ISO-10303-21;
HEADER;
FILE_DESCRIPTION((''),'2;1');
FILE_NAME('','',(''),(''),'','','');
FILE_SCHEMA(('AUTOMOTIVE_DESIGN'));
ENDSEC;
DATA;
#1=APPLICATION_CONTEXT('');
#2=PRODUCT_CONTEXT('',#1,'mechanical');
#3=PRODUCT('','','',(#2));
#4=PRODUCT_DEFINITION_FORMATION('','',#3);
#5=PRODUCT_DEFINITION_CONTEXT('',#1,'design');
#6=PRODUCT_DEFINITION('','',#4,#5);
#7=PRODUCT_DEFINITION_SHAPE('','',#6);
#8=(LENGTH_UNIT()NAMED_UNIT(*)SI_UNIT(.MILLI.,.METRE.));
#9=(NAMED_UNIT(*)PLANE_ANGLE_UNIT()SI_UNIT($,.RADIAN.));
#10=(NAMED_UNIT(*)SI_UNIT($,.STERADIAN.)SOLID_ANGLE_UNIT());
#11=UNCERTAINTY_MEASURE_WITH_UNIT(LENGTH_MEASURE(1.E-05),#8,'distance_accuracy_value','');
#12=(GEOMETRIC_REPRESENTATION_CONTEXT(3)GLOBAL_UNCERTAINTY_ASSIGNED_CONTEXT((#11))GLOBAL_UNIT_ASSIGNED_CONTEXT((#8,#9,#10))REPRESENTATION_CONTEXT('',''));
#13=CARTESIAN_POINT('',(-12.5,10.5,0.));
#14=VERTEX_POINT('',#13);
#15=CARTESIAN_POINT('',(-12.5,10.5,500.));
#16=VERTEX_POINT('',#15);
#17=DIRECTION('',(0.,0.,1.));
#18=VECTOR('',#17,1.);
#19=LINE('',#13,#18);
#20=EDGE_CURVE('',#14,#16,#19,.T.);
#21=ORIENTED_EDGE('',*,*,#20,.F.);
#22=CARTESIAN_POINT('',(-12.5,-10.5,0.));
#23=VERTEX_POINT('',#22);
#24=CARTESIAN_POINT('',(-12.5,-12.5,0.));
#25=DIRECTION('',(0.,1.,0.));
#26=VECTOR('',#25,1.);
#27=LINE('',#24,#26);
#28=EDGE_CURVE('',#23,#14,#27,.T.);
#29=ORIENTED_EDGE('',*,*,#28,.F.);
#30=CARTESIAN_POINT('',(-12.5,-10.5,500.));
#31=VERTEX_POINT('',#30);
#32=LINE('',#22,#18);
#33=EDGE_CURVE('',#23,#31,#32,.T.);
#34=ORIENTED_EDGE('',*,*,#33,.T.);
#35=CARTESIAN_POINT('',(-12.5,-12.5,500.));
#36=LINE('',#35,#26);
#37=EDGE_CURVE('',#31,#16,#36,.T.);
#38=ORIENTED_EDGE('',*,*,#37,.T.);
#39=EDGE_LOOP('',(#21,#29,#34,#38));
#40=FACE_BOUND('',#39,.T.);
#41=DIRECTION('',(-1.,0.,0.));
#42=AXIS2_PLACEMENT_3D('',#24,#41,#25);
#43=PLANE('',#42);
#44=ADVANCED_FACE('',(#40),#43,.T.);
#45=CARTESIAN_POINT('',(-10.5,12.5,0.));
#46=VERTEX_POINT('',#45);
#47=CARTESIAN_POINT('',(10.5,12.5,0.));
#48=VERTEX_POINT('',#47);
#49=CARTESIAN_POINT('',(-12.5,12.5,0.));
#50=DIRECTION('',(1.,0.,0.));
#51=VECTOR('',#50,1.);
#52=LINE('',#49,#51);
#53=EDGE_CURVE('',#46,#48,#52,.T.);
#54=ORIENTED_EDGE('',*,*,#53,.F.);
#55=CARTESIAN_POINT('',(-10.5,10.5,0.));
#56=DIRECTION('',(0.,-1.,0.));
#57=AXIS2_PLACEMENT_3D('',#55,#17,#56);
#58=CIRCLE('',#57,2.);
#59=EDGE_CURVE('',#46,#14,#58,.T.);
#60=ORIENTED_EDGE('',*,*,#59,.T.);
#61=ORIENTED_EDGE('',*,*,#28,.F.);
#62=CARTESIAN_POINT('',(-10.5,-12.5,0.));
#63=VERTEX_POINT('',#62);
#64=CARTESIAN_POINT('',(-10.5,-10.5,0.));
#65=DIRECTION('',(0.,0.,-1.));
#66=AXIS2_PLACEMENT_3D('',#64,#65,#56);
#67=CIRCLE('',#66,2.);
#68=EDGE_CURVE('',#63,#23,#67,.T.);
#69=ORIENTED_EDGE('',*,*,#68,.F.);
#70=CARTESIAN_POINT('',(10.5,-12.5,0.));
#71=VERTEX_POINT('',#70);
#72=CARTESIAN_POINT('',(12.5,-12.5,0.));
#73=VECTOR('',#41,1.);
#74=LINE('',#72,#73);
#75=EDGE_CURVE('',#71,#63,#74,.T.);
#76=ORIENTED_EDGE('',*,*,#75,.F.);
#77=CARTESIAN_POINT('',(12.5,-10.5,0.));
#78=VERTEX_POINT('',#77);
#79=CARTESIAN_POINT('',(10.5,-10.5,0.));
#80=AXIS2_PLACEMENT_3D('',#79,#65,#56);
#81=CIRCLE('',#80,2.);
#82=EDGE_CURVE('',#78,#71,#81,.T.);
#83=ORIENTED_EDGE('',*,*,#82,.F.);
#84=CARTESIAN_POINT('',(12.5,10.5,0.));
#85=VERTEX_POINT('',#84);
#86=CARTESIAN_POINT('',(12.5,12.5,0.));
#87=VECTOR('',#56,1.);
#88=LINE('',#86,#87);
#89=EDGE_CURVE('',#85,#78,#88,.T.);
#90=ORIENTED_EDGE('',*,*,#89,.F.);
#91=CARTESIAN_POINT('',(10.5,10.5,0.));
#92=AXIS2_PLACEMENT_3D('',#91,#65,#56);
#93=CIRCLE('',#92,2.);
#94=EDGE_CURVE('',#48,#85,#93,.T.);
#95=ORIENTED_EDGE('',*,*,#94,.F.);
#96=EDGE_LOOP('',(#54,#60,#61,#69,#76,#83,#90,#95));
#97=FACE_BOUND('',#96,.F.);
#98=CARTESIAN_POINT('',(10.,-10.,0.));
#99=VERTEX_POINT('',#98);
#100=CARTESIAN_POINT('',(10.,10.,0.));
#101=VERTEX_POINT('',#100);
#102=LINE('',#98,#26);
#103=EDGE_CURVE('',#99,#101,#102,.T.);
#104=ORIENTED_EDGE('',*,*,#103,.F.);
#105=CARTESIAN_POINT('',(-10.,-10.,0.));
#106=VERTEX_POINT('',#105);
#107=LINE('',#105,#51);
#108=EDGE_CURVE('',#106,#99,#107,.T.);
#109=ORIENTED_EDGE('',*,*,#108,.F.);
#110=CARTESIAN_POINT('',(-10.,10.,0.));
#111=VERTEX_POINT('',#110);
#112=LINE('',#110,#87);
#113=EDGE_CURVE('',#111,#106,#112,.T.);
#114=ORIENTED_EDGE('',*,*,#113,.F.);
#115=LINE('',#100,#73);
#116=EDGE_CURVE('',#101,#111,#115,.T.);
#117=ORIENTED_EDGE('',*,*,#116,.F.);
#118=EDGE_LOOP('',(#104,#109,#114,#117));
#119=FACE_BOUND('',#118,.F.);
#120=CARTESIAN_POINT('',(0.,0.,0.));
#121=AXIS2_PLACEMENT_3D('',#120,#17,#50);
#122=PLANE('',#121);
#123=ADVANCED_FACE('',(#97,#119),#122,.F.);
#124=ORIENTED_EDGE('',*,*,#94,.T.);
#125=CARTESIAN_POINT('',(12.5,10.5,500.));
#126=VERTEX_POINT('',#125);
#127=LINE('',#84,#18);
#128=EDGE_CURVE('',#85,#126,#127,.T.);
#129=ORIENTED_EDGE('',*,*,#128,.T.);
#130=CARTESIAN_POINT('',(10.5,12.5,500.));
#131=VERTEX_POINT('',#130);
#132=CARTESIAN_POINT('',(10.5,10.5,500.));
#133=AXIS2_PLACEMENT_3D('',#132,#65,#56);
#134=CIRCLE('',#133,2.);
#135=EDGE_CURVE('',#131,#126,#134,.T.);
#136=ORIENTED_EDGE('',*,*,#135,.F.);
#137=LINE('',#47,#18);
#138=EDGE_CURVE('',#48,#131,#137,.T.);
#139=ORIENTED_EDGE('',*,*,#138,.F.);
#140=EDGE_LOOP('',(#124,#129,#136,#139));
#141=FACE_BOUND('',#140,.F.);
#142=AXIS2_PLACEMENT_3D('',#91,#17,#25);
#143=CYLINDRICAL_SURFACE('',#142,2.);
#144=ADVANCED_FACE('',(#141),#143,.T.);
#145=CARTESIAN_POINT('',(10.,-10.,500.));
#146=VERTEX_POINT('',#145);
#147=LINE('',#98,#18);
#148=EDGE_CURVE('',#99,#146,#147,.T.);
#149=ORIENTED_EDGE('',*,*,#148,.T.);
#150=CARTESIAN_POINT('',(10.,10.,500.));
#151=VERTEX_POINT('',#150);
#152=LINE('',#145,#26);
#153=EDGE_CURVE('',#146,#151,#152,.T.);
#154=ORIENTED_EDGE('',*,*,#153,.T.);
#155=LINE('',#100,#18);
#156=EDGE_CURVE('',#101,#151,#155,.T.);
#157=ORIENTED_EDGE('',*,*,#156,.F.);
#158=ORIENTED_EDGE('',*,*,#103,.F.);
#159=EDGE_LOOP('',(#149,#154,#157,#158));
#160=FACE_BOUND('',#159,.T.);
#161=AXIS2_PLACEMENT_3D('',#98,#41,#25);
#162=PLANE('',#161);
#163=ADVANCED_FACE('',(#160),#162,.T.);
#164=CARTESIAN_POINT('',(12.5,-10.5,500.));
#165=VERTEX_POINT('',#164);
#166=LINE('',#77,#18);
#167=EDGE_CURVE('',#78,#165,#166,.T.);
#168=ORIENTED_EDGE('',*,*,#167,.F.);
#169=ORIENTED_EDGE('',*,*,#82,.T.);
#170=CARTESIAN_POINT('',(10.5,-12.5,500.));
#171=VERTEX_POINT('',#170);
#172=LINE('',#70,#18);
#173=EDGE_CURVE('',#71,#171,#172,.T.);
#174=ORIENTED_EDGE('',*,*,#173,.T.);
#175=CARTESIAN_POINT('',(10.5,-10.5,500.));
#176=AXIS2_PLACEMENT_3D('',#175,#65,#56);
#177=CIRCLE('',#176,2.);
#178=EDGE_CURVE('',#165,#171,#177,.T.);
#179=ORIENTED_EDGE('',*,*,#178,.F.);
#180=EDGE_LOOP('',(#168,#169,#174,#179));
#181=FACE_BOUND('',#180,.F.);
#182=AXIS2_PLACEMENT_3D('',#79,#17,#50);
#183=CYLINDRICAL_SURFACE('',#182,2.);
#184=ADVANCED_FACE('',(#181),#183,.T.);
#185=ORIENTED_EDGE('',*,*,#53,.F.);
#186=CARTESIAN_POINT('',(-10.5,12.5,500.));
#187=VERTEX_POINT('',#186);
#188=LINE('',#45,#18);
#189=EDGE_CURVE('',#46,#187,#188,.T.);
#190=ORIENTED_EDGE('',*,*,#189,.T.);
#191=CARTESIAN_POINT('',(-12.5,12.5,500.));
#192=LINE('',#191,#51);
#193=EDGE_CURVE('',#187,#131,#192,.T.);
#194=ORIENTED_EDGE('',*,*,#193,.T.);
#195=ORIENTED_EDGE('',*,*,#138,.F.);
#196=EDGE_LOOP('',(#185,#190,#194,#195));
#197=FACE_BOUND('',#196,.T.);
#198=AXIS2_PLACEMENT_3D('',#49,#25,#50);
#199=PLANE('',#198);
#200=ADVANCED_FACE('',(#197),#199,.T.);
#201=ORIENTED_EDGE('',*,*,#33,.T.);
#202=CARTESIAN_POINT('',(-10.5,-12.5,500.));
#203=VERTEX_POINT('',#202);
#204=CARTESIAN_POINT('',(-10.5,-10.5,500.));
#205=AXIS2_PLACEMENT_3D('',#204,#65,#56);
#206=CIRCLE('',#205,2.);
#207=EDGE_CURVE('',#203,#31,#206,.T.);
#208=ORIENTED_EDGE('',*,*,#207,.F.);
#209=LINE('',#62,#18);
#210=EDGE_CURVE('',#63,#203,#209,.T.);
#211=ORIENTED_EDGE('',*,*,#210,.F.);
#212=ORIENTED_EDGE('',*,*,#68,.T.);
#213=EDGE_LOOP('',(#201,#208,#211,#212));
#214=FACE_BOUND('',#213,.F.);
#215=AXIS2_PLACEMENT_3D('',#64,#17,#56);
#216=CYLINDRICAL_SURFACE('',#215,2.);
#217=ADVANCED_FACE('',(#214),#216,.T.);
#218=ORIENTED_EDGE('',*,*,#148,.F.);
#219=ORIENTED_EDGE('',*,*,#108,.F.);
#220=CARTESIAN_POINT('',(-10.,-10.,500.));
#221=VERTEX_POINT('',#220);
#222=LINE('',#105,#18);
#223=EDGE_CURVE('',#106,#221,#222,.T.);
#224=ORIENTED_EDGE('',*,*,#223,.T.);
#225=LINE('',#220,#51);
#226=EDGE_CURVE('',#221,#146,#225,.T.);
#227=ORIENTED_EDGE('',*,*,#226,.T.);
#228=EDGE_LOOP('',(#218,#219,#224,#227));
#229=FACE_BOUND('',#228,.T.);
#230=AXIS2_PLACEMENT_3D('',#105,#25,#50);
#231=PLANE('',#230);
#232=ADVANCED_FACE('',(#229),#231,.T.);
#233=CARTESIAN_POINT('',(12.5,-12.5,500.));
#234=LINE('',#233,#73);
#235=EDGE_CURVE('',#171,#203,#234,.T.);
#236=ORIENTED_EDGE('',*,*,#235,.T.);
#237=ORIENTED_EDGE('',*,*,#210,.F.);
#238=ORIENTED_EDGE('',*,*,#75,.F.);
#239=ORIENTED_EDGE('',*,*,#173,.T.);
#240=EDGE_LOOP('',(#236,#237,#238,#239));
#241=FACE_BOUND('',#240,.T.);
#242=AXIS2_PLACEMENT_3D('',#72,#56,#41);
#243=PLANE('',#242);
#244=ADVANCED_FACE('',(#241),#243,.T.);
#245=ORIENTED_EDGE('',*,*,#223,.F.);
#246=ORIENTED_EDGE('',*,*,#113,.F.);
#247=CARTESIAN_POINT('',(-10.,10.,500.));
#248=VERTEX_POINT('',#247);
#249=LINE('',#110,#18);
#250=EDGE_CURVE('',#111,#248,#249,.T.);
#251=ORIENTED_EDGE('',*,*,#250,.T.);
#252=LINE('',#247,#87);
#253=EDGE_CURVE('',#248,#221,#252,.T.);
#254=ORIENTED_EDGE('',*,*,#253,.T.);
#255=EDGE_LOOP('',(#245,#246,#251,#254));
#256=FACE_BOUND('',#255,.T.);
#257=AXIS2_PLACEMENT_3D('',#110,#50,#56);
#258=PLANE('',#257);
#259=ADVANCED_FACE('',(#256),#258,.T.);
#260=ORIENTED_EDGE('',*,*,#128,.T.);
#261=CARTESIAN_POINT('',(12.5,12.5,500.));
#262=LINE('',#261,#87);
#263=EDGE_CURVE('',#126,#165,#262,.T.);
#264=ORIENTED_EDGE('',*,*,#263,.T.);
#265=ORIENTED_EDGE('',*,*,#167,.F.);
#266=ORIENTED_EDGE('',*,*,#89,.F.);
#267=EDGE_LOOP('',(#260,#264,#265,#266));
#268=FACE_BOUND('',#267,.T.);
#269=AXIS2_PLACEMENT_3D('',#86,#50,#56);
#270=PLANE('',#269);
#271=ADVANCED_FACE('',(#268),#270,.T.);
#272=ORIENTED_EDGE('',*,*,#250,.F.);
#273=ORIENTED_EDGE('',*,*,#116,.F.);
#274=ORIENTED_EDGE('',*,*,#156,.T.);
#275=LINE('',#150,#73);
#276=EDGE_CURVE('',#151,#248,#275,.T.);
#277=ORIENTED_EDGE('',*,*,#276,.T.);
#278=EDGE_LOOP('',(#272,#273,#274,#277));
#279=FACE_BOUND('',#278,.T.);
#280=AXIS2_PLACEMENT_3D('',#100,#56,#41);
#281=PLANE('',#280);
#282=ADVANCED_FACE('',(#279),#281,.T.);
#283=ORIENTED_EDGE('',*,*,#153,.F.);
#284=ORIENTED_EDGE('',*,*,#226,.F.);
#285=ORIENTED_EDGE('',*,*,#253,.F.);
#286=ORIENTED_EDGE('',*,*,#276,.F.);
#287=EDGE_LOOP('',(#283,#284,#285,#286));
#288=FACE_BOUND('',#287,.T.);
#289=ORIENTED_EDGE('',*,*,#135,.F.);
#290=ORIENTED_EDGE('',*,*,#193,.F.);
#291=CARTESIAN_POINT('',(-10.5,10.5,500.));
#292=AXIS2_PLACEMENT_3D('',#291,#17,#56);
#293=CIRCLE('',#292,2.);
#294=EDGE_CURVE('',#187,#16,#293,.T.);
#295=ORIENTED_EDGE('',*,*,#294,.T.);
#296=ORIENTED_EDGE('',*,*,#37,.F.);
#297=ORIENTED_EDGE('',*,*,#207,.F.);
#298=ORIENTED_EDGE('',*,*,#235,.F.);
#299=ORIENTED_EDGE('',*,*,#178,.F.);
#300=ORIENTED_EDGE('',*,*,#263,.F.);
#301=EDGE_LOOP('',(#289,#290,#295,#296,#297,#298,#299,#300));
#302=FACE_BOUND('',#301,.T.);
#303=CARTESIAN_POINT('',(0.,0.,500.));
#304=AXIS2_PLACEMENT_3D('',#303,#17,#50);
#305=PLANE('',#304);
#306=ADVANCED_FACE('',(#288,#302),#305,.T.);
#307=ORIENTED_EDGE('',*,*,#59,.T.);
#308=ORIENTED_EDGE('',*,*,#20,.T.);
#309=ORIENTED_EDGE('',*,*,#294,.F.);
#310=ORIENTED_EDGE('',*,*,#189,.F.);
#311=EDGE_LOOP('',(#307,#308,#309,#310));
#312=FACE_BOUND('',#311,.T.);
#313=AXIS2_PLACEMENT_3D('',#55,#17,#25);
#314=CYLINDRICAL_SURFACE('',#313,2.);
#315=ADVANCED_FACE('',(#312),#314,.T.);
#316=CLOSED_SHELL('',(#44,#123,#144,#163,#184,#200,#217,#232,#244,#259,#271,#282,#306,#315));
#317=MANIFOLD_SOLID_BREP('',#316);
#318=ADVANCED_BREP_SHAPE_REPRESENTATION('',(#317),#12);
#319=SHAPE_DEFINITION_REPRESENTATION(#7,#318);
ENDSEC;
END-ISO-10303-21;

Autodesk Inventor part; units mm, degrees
ref_plane "YZ Plane" through (0, 0, 0) normal (1, 0, 0) x (0, 1, 0)
ref_plane "XZ Plane" through (0, 0, 0) normal (0, 1, 0) x (-1, 0, 0)
ref_plane "XY Plane" through (0, 0, 0) normal (0, 0, 1) x (1, 0, 0)
sketch "Sketch1" plane through (0, 0, 0) normal (0, 0, 1) x (1, 0, 0)
  line L0 (-12.5, 12.5) -> (12.5, 12.5)
  line L1 (12.5, 12.5) -> (12.5, -12.5)
  line L2 (12.5, -12.5) -> (-12.5, -12.5)
  line L3 (-12.5, -12.5) -> (-12.5, 12.5)
  line L4 (10, 10) -> (-10, 10)
  line L5 (-10, 10) -> (-10, -10)
  line L6 (-10, -10) -> (10, -10)
  line L7 (10, -10) -> (10, 10)
  point P0 (0, 0)
  dimension "d0" = 25
  dimension "d1" = 25
  dimension "d2" = 12.5
  dimension "d3" = 12.5
  dimension "d4" = 2.5
extrude "Extrusion1" add sketch "Sketch1" along normal blind 500
fillet "Fillet1" radius 2 4 edges at (12.5, 12.5, 250) (-12.5, 12.5, 250) (12.5, -12.5, 250) (-12.5, -12.5, 250)
equation "\"d0\" = w"
equation "\"d1\" = w"
equation "\"d2\" = 0.5 * d1"
equation "\"d3\" = 0.5 * d0"
equation "\"d4\" = t"
equation "\"d5\" = L"
equation "\"d7\" = fillet"
equation "\"w\" = 25"
equation "\"t\" = 2.5"
equation "\"L\" = 500"
equation "\"fillet\" = 2"
properties part number "bar_square_500mm_25sides_hollow" material "Steel, Galvanized"
